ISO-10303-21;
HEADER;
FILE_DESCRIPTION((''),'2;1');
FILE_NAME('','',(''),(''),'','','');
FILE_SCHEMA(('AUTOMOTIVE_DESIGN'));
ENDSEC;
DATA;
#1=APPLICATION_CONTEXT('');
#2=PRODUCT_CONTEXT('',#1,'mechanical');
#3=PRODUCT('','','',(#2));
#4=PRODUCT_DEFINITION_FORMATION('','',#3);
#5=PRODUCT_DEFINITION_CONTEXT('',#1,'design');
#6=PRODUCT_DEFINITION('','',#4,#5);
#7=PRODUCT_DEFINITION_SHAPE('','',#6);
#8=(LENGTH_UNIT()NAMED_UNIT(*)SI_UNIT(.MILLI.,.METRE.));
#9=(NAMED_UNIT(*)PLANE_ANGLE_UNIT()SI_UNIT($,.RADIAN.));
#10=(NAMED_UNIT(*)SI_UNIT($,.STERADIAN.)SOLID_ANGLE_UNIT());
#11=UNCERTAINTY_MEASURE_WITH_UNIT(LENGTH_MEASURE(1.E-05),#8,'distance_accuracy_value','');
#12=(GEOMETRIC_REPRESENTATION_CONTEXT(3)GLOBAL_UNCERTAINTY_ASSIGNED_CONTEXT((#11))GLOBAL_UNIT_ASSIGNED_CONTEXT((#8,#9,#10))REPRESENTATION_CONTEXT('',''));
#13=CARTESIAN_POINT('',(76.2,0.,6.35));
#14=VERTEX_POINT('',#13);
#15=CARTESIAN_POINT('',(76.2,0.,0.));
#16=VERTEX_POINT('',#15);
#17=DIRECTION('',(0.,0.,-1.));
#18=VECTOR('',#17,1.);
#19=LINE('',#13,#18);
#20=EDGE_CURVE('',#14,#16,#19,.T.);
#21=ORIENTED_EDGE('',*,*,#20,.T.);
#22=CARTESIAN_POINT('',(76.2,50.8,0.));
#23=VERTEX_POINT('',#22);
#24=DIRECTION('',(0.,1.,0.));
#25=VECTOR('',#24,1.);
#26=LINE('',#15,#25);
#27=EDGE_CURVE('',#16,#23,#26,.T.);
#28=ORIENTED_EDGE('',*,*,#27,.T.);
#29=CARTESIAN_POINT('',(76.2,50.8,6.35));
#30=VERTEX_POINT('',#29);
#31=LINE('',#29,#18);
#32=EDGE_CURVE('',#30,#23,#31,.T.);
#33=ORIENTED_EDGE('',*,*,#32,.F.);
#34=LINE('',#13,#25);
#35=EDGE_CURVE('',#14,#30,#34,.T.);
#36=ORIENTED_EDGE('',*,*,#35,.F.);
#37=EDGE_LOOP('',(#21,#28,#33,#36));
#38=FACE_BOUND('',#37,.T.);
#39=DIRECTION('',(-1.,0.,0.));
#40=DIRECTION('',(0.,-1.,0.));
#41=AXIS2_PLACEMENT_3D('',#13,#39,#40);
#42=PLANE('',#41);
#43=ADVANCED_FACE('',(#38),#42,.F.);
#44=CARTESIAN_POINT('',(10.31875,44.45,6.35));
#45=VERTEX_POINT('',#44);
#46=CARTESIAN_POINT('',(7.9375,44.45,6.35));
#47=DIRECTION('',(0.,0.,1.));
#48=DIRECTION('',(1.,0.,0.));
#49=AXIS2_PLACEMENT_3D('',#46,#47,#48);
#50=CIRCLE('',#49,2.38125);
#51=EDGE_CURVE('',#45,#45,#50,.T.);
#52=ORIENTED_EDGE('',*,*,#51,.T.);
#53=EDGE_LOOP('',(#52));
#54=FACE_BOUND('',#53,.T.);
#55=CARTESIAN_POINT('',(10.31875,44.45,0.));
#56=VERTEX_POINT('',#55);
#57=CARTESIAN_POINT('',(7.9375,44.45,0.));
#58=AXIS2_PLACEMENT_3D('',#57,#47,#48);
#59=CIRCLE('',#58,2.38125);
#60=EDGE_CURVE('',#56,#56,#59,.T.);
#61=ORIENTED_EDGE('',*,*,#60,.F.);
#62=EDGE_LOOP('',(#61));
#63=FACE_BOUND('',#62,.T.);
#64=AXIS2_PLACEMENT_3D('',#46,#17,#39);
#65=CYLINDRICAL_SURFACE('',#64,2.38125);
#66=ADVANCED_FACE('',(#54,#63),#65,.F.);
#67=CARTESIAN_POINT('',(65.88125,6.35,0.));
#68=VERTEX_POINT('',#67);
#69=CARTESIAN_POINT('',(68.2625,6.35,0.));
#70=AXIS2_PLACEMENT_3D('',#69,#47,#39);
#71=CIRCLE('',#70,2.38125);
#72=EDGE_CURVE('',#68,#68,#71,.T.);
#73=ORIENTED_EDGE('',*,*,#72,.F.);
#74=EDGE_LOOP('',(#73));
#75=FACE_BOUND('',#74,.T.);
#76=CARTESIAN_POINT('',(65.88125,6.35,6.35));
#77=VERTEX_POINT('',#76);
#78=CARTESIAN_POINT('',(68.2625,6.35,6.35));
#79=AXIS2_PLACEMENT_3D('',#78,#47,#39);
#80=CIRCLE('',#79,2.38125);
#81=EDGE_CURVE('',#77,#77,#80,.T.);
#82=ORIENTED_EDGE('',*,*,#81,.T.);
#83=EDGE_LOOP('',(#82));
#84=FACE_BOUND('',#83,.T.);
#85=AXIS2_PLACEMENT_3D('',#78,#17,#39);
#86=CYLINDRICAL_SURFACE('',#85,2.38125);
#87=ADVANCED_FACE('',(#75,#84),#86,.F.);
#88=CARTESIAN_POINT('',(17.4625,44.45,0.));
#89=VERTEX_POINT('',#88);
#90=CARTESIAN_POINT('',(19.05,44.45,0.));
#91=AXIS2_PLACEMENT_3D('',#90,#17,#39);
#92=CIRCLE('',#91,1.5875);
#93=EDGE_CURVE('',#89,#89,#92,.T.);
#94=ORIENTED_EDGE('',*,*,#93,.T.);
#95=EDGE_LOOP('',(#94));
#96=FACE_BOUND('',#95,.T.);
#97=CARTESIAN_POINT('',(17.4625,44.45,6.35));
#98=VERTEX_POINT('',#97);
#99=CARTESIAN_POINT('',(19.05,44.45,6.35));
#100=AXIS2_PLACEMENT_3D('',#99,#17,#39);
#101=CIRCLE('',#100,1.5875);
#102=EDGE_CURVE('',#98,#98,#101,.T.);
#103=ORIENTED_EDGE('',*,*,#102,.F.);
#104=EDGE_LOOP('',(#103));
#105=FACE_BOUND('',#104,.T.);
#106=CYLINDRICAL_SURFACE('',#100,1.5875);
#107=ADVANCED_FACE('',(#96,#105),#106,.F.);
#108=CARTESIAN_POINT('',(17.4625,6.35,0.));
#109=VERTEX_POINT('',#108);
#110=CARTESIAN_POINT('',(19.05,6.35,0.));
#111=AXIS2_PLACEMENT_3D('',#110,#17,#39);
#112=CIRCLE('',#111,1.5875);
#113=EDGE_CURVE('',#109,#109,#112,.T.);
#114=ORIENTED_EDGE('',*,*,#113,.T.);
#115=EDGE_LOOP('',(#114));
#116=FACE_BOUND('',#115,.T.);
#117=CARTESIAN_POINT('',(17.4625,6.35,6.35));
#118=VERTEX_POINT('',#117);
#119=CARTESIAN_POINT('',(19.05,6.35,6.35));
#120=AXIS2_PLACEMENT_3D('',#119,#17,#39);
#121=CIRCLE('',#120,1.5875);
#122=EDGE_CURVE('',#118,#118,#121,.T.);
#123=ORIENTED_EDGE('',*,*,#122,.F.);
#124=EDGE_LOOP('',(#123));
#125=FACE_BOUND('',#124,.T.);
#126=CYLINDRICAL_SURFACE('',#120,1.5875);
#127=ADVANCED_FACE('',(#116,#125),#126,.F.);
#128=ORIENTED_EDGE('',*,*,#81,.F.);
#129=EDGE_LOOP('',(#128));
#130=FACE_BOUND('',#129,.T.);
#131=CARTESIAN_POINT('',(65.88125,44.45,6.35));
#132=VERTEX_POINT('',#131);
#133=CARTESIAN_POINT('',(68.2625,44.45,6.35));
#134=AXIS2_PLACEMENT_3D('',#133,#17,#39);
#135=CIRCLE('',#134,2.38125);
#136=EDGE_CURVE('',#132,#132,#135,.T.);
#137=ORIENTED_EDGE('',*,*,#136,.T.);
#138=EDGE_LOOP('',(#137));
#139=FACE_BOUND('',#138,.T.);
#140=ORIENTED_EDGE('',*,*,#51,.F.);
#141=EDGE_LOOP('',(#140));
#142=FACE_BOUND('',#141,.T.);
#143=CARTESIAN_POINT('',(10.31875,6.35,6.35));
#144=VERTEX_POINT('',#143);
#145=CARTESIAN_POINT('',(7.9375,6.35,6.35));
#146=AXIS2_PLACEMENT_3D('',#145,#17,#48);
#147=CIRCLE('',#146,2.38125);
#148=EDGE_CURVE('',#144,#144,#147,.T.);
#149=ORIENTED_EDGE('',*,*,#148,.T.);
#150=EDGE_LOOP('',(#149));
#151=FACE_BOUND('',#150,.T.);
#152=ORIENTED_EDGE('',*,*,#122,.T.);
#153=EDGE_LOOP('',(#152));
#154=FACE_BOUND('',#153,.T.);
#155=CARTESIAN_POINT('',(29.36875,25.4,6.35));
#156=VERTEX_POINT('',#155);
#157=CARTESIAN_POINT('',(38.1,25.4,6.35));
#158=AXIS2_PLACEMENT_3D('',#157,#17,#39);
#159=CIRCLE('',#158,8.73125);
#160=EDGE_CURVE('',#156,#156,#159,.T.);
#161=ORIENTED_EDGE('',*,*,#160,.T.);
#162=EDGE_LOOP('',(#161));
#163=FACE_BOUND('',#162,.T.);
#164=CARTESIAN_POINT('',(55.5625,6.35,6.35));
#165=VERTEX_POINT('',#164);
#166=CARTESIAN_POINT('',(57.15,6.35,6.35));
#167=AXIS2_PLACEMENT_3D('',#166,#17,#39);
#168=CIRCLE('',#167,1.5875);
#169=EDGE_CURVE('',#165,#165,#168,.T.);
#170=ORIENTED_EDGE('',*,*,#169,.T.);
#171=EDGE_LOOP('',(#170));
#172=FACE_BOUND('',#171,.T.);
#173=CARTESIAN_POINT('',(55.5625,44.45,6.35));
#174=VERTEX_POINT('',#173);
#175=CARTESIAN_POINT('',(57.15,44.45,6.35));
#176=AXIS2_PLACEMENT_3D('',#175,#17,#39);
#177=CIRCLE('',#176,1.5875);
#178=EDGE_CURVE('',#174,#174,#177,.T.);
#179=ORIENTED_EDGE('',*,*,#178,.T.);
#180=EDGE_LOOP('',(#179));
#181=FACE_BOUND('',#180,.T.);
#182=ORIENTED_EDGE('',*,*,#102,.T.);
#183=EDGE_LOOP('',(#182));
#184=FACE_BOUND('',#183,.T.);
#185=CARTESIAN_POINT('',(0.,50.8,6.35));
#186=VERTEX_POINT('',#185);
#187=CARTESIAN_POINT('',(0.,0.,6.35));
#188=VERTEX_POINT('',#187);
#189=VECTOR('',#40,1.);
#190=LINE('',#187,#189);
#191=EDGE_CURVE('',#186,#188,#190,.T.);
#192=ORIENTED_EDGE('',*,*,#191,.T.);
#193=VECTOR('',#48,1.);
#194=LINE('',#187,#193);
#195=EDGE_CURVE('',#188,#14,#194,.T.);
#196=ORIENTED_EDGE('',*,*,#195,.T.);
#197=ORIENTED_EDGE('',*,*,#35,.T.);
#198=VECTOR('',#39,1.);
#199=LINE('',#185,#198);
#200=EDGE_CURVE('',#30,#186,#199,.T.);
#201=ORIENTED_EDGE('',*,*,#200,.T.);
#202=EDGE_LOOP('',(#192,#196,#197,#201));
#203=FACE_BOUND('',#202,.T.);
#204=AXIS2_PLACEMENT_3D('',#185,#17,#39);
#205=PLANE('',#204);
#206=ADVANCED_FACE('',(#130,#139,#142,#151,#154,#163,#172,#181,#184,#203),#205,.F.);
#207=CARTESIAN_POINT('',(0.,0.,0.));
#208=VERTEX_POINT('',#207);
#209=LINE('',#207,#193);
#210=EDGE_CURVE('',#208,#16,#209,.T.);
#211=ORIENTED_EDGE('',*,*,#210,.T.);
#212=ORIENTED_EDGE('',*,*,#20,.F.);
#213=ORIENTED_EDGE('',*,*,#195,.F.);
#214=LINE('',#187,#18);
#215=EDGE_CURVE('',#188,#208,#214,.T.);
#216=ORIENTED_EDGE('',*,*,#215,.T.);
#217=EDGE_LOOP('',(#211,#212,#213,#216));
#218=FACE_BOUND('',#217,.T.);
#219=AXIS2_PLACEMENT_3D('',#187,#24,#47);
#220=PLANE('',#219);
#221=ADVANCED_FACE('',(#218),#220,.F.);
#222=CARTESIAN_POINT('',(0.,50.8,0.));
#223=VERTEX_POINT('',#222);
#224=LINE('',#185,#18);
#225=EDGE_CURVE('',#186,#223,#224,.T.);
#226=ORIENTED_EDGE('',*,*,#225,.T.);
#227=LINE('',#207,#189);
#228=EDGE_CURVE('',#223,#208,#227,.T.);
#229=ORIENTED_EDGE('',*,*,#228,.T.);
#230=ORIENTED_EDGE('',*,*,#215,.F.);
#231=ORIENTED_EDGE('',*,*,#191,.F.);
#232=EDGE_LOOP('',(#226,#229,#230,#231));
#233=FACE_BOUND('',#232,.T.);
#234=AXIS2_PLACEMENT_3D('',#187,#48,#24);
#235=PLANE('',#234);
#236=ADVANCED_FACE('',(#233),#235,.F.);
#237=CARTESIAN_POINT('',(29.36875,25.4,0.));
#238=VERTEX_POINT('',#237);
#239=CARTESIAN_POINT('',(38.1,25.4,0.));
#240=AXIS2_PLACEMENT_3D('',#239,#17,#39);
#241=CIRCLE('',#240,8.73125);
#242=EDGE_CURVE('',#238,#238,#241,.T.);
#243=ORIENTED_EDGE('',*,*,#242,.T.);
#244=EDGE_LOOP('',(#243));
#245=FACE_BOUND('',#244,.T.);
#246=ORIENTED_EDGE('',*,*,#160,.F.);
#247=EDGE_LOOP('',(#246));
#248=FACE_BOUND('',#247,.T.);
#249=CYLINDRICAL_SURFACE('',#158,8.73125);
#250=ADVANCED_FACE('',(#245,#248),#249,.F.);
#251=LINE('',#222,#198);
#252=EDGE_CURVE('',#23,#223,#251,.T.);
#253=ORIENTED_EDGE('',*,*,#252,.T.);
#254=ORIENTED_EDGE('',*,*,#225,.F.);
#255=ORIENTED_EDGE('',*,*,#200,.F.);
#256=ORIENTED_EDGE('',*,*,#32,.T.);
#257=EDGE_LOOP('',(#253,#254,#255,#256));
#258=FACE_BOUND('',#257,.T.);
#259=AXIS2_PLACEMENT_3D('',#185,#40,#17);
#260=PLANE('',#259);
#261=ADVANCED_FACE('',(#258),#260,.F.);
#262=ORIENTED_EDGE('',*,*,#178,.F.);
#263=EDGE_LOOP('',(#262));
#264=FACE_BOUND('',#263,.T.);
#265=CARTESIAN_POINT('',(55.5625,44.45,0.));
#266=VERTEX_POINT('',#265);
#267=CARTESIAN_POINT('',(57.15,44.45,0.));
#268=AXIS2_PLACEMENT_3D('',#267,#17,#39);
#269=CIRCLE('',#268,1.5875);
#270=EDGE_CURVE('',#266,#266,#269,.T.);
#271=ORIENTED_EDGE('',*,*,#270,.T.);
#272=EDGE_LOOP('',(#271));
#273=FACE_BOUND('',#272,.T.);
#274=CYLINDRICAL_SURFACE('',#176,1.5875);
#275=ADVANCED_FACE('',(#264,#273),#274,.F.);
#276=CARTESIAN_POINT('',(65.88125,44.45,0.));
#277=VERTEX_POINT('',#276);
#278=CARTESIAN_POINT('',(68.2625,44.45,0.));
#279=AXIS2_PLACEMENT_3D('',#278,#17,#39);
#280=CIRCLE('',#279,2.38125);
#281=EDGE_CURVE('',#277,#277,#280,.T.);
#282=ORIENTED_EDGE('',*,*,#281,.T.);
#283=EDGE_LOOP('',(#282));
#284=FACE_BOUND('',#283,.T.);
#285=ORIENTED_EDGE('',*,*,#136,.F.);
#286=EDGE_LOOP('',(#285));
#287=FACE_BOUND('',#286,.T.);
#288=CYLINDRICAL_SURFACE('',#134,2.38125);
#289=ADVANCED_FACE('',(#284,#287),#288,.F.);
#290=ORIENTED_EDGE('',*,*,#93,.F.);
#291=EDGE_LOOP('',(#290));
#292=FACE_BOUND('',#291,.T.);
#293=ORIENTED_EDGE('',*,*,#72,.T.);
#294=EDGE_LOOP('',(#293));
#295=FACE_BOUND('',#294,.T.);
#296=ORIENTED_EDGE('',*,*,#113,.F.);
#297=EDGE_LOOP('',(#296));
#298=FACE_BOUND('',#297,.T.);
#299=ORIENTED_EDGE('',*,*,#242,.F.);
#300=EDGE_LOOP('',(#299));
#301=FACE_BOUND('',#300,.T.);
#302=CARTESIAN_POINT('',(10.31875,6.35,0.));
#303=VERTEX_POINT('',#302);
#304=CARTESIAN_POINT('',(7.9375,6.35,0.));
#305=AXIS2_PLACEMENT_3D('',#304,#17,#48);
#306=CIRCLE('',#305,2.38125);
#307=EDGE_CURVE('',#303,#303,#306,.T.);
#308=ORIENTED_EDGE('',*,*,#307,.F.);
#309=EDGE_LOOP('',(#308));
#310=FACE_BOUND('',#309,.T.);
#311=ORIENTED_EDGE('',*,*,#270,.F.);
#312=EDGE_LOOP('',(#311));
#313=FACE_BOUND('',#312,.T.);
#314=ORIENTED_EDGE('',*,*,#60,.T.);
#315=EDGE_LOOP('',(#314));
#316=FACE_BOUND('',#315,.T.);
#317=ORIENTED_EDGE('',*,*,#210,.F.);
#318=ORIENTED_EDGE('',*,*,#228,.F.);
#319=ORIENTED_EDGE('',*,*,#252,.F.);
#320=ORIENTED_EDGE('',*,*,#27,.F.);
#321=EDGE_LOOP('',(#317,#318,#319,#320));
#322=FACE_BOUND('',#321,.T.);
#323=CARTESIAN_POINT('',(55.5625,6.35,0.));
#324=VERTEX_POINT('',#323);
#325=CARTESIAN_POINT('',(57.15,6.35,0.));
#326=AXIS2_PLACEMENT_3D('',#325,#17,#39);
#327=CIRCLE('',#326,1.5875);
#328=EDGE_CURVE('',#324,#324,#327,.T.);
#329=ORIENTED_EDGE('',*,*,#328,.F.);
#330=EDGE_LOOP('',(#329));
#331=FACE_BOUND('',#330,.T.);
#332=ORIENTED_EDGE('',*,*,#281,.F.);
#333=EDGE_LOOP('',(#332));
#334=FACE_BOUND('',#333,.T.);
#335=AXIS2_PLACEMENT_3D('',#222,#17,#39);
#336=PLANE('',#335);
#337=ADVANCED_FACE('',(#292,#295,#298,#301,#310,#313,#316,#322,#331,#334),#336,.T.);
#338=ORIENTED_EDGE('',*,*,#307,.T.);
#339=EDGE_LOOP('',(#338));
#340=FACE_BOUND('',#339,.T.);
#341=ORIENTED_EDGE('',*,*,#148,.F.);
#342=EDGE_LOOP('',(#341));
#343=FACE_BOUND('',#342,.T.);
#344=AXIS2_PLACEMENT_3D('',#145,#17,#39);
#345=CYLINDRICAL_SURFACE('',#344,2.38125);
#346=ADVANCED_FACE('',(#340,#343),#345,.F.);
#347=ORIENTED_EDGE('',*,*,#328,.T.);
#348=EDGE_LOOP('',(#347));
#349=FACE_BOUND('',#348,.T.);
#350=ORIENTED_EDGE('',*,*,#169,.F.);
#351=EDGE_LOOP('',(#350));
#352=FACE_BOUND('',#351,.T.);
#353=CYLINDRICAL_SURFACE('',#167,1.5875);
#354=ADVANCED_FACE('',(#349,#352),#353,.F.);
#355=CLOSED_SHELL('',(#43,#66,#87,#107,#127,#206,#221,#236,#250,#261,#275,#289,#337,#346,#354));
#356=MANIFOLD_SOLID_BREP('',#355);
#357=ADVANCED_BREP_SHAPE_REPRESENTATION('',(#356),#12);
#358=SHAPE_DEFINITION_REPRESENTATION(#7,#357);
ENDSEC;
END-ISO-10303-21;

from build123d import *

# Parameters (mm, degrees)
SKETCH1_W               = 76.2
SKETCH1_H               = 50.8
BOSS_EXTRUDE1_DEPTH     = 6.35
SKETCH3_R               = 2.38125
CUT_EXTRUDE6_DEPTH      = 7.35
MIRROR2_COPY_1_SKETCH_R = 2.38125
MIRROR2_COPY_1_DEPTH    = 7.35
SKETCH2_R               = 8.73125
CUT_EXTRUDE7_DEPTH      = 7.35
SKETCH5_R               = 1.5875
CUT_EXTRUDE8_DEPTH      = 7.35


with BuildPart() as part:
    # Sketch1 → Boss-Extrude1 (new body)
    with BuildSketch(Plane.XY):
        with Locations((38.1, 25.4)):
            Rectangle(SKETCH1_W, SKETCH1_H)
    extrude(amount=BOSS_EXTRUDE1_DEPTH)

    # Sketch3 → Cut-Extrude6 (cut, through all)
    with BuildSketch(Plane(origin=(0, 0, 0), x_dir=(-1, 0, 0), z_dir=(0, 0, -1))):
        with Locations((-68.2625, 44.45)):
            Circle(SKETCH3_R)
    cut_extrude6 = extrude(amount=-CUT_EXTRUDE6_DEPTH, mode=Mode.SUBTRACT)

    # Mirror1: Cut-Extrude6 across plane
    add(cut_extrude6.mirror(Plane(origin=(38.1, 0, 0), x_dir=(0, 0, 1), z_dir=(1, 0, 0))), mode=Mode.SUBTRACT)

    # Mirror2: Cut-Extrude6 across plane
    add(cut_extrude6.mirror(Plane(origin=(0, 25.4, 0), x_dir=(0, 0, 1), z_dir=(0, -1, 0))), mode=Mode.SUBTRACT)

    # Mirror2 copy 1 sketch → Mirror2 copy 1 (cut, through all)
    with BuildSketch(Plane(origin=(76.2, 50.8, 0), x_dir=(1, 0, 0), z_dir=(0, 0, -1))):
        with Locations((-68.2625, 44.45)):
            Circle(MIRROR2_COPY_1_SKETCH_R)
    extrude(amount=-MIRROR2_COPY_1_DEPTH, mode=Mode.SUBTRACT)

    # Sketch2 → Cut-Extrude7 (cut, through all)
    with BuildSketch(Plane(origin=(0, 0, 0), x_dir=(-1, 0, 0), z_dir=(0, 0, -1))):
        with Locations((-38.1, 25.4)):
            Circle(SKETCH2_R)
    extrude(amount=-CUT_EXTRUDE7_DEPTH, mode=Mode.SUBTRACT)

    # Sketch5 → Cut-Extrude8 (cut, through all)
    with BuildSketch(Plane(origin=(0, 0, 0), x_dir=(-1, 0, 0), z_dir=(0, 0, -1))):
        with Locations((-19.05, 44.45)):
            Circle(SKETCH5_R)
        with Locations((-19.05, 6.35)):
            Circle(SKETCH5_R)
        with Locations((-57.15, 44.45)):
            Circle(SKETCH5_R)
        with Locations((-57.15, 6.35)):
            Circle(SKETCH5_R)
    extrude(amount=-CUT_EXTRUDE8_DEPTH, mode=Mode.SUBTRACT)


solid = part.part
